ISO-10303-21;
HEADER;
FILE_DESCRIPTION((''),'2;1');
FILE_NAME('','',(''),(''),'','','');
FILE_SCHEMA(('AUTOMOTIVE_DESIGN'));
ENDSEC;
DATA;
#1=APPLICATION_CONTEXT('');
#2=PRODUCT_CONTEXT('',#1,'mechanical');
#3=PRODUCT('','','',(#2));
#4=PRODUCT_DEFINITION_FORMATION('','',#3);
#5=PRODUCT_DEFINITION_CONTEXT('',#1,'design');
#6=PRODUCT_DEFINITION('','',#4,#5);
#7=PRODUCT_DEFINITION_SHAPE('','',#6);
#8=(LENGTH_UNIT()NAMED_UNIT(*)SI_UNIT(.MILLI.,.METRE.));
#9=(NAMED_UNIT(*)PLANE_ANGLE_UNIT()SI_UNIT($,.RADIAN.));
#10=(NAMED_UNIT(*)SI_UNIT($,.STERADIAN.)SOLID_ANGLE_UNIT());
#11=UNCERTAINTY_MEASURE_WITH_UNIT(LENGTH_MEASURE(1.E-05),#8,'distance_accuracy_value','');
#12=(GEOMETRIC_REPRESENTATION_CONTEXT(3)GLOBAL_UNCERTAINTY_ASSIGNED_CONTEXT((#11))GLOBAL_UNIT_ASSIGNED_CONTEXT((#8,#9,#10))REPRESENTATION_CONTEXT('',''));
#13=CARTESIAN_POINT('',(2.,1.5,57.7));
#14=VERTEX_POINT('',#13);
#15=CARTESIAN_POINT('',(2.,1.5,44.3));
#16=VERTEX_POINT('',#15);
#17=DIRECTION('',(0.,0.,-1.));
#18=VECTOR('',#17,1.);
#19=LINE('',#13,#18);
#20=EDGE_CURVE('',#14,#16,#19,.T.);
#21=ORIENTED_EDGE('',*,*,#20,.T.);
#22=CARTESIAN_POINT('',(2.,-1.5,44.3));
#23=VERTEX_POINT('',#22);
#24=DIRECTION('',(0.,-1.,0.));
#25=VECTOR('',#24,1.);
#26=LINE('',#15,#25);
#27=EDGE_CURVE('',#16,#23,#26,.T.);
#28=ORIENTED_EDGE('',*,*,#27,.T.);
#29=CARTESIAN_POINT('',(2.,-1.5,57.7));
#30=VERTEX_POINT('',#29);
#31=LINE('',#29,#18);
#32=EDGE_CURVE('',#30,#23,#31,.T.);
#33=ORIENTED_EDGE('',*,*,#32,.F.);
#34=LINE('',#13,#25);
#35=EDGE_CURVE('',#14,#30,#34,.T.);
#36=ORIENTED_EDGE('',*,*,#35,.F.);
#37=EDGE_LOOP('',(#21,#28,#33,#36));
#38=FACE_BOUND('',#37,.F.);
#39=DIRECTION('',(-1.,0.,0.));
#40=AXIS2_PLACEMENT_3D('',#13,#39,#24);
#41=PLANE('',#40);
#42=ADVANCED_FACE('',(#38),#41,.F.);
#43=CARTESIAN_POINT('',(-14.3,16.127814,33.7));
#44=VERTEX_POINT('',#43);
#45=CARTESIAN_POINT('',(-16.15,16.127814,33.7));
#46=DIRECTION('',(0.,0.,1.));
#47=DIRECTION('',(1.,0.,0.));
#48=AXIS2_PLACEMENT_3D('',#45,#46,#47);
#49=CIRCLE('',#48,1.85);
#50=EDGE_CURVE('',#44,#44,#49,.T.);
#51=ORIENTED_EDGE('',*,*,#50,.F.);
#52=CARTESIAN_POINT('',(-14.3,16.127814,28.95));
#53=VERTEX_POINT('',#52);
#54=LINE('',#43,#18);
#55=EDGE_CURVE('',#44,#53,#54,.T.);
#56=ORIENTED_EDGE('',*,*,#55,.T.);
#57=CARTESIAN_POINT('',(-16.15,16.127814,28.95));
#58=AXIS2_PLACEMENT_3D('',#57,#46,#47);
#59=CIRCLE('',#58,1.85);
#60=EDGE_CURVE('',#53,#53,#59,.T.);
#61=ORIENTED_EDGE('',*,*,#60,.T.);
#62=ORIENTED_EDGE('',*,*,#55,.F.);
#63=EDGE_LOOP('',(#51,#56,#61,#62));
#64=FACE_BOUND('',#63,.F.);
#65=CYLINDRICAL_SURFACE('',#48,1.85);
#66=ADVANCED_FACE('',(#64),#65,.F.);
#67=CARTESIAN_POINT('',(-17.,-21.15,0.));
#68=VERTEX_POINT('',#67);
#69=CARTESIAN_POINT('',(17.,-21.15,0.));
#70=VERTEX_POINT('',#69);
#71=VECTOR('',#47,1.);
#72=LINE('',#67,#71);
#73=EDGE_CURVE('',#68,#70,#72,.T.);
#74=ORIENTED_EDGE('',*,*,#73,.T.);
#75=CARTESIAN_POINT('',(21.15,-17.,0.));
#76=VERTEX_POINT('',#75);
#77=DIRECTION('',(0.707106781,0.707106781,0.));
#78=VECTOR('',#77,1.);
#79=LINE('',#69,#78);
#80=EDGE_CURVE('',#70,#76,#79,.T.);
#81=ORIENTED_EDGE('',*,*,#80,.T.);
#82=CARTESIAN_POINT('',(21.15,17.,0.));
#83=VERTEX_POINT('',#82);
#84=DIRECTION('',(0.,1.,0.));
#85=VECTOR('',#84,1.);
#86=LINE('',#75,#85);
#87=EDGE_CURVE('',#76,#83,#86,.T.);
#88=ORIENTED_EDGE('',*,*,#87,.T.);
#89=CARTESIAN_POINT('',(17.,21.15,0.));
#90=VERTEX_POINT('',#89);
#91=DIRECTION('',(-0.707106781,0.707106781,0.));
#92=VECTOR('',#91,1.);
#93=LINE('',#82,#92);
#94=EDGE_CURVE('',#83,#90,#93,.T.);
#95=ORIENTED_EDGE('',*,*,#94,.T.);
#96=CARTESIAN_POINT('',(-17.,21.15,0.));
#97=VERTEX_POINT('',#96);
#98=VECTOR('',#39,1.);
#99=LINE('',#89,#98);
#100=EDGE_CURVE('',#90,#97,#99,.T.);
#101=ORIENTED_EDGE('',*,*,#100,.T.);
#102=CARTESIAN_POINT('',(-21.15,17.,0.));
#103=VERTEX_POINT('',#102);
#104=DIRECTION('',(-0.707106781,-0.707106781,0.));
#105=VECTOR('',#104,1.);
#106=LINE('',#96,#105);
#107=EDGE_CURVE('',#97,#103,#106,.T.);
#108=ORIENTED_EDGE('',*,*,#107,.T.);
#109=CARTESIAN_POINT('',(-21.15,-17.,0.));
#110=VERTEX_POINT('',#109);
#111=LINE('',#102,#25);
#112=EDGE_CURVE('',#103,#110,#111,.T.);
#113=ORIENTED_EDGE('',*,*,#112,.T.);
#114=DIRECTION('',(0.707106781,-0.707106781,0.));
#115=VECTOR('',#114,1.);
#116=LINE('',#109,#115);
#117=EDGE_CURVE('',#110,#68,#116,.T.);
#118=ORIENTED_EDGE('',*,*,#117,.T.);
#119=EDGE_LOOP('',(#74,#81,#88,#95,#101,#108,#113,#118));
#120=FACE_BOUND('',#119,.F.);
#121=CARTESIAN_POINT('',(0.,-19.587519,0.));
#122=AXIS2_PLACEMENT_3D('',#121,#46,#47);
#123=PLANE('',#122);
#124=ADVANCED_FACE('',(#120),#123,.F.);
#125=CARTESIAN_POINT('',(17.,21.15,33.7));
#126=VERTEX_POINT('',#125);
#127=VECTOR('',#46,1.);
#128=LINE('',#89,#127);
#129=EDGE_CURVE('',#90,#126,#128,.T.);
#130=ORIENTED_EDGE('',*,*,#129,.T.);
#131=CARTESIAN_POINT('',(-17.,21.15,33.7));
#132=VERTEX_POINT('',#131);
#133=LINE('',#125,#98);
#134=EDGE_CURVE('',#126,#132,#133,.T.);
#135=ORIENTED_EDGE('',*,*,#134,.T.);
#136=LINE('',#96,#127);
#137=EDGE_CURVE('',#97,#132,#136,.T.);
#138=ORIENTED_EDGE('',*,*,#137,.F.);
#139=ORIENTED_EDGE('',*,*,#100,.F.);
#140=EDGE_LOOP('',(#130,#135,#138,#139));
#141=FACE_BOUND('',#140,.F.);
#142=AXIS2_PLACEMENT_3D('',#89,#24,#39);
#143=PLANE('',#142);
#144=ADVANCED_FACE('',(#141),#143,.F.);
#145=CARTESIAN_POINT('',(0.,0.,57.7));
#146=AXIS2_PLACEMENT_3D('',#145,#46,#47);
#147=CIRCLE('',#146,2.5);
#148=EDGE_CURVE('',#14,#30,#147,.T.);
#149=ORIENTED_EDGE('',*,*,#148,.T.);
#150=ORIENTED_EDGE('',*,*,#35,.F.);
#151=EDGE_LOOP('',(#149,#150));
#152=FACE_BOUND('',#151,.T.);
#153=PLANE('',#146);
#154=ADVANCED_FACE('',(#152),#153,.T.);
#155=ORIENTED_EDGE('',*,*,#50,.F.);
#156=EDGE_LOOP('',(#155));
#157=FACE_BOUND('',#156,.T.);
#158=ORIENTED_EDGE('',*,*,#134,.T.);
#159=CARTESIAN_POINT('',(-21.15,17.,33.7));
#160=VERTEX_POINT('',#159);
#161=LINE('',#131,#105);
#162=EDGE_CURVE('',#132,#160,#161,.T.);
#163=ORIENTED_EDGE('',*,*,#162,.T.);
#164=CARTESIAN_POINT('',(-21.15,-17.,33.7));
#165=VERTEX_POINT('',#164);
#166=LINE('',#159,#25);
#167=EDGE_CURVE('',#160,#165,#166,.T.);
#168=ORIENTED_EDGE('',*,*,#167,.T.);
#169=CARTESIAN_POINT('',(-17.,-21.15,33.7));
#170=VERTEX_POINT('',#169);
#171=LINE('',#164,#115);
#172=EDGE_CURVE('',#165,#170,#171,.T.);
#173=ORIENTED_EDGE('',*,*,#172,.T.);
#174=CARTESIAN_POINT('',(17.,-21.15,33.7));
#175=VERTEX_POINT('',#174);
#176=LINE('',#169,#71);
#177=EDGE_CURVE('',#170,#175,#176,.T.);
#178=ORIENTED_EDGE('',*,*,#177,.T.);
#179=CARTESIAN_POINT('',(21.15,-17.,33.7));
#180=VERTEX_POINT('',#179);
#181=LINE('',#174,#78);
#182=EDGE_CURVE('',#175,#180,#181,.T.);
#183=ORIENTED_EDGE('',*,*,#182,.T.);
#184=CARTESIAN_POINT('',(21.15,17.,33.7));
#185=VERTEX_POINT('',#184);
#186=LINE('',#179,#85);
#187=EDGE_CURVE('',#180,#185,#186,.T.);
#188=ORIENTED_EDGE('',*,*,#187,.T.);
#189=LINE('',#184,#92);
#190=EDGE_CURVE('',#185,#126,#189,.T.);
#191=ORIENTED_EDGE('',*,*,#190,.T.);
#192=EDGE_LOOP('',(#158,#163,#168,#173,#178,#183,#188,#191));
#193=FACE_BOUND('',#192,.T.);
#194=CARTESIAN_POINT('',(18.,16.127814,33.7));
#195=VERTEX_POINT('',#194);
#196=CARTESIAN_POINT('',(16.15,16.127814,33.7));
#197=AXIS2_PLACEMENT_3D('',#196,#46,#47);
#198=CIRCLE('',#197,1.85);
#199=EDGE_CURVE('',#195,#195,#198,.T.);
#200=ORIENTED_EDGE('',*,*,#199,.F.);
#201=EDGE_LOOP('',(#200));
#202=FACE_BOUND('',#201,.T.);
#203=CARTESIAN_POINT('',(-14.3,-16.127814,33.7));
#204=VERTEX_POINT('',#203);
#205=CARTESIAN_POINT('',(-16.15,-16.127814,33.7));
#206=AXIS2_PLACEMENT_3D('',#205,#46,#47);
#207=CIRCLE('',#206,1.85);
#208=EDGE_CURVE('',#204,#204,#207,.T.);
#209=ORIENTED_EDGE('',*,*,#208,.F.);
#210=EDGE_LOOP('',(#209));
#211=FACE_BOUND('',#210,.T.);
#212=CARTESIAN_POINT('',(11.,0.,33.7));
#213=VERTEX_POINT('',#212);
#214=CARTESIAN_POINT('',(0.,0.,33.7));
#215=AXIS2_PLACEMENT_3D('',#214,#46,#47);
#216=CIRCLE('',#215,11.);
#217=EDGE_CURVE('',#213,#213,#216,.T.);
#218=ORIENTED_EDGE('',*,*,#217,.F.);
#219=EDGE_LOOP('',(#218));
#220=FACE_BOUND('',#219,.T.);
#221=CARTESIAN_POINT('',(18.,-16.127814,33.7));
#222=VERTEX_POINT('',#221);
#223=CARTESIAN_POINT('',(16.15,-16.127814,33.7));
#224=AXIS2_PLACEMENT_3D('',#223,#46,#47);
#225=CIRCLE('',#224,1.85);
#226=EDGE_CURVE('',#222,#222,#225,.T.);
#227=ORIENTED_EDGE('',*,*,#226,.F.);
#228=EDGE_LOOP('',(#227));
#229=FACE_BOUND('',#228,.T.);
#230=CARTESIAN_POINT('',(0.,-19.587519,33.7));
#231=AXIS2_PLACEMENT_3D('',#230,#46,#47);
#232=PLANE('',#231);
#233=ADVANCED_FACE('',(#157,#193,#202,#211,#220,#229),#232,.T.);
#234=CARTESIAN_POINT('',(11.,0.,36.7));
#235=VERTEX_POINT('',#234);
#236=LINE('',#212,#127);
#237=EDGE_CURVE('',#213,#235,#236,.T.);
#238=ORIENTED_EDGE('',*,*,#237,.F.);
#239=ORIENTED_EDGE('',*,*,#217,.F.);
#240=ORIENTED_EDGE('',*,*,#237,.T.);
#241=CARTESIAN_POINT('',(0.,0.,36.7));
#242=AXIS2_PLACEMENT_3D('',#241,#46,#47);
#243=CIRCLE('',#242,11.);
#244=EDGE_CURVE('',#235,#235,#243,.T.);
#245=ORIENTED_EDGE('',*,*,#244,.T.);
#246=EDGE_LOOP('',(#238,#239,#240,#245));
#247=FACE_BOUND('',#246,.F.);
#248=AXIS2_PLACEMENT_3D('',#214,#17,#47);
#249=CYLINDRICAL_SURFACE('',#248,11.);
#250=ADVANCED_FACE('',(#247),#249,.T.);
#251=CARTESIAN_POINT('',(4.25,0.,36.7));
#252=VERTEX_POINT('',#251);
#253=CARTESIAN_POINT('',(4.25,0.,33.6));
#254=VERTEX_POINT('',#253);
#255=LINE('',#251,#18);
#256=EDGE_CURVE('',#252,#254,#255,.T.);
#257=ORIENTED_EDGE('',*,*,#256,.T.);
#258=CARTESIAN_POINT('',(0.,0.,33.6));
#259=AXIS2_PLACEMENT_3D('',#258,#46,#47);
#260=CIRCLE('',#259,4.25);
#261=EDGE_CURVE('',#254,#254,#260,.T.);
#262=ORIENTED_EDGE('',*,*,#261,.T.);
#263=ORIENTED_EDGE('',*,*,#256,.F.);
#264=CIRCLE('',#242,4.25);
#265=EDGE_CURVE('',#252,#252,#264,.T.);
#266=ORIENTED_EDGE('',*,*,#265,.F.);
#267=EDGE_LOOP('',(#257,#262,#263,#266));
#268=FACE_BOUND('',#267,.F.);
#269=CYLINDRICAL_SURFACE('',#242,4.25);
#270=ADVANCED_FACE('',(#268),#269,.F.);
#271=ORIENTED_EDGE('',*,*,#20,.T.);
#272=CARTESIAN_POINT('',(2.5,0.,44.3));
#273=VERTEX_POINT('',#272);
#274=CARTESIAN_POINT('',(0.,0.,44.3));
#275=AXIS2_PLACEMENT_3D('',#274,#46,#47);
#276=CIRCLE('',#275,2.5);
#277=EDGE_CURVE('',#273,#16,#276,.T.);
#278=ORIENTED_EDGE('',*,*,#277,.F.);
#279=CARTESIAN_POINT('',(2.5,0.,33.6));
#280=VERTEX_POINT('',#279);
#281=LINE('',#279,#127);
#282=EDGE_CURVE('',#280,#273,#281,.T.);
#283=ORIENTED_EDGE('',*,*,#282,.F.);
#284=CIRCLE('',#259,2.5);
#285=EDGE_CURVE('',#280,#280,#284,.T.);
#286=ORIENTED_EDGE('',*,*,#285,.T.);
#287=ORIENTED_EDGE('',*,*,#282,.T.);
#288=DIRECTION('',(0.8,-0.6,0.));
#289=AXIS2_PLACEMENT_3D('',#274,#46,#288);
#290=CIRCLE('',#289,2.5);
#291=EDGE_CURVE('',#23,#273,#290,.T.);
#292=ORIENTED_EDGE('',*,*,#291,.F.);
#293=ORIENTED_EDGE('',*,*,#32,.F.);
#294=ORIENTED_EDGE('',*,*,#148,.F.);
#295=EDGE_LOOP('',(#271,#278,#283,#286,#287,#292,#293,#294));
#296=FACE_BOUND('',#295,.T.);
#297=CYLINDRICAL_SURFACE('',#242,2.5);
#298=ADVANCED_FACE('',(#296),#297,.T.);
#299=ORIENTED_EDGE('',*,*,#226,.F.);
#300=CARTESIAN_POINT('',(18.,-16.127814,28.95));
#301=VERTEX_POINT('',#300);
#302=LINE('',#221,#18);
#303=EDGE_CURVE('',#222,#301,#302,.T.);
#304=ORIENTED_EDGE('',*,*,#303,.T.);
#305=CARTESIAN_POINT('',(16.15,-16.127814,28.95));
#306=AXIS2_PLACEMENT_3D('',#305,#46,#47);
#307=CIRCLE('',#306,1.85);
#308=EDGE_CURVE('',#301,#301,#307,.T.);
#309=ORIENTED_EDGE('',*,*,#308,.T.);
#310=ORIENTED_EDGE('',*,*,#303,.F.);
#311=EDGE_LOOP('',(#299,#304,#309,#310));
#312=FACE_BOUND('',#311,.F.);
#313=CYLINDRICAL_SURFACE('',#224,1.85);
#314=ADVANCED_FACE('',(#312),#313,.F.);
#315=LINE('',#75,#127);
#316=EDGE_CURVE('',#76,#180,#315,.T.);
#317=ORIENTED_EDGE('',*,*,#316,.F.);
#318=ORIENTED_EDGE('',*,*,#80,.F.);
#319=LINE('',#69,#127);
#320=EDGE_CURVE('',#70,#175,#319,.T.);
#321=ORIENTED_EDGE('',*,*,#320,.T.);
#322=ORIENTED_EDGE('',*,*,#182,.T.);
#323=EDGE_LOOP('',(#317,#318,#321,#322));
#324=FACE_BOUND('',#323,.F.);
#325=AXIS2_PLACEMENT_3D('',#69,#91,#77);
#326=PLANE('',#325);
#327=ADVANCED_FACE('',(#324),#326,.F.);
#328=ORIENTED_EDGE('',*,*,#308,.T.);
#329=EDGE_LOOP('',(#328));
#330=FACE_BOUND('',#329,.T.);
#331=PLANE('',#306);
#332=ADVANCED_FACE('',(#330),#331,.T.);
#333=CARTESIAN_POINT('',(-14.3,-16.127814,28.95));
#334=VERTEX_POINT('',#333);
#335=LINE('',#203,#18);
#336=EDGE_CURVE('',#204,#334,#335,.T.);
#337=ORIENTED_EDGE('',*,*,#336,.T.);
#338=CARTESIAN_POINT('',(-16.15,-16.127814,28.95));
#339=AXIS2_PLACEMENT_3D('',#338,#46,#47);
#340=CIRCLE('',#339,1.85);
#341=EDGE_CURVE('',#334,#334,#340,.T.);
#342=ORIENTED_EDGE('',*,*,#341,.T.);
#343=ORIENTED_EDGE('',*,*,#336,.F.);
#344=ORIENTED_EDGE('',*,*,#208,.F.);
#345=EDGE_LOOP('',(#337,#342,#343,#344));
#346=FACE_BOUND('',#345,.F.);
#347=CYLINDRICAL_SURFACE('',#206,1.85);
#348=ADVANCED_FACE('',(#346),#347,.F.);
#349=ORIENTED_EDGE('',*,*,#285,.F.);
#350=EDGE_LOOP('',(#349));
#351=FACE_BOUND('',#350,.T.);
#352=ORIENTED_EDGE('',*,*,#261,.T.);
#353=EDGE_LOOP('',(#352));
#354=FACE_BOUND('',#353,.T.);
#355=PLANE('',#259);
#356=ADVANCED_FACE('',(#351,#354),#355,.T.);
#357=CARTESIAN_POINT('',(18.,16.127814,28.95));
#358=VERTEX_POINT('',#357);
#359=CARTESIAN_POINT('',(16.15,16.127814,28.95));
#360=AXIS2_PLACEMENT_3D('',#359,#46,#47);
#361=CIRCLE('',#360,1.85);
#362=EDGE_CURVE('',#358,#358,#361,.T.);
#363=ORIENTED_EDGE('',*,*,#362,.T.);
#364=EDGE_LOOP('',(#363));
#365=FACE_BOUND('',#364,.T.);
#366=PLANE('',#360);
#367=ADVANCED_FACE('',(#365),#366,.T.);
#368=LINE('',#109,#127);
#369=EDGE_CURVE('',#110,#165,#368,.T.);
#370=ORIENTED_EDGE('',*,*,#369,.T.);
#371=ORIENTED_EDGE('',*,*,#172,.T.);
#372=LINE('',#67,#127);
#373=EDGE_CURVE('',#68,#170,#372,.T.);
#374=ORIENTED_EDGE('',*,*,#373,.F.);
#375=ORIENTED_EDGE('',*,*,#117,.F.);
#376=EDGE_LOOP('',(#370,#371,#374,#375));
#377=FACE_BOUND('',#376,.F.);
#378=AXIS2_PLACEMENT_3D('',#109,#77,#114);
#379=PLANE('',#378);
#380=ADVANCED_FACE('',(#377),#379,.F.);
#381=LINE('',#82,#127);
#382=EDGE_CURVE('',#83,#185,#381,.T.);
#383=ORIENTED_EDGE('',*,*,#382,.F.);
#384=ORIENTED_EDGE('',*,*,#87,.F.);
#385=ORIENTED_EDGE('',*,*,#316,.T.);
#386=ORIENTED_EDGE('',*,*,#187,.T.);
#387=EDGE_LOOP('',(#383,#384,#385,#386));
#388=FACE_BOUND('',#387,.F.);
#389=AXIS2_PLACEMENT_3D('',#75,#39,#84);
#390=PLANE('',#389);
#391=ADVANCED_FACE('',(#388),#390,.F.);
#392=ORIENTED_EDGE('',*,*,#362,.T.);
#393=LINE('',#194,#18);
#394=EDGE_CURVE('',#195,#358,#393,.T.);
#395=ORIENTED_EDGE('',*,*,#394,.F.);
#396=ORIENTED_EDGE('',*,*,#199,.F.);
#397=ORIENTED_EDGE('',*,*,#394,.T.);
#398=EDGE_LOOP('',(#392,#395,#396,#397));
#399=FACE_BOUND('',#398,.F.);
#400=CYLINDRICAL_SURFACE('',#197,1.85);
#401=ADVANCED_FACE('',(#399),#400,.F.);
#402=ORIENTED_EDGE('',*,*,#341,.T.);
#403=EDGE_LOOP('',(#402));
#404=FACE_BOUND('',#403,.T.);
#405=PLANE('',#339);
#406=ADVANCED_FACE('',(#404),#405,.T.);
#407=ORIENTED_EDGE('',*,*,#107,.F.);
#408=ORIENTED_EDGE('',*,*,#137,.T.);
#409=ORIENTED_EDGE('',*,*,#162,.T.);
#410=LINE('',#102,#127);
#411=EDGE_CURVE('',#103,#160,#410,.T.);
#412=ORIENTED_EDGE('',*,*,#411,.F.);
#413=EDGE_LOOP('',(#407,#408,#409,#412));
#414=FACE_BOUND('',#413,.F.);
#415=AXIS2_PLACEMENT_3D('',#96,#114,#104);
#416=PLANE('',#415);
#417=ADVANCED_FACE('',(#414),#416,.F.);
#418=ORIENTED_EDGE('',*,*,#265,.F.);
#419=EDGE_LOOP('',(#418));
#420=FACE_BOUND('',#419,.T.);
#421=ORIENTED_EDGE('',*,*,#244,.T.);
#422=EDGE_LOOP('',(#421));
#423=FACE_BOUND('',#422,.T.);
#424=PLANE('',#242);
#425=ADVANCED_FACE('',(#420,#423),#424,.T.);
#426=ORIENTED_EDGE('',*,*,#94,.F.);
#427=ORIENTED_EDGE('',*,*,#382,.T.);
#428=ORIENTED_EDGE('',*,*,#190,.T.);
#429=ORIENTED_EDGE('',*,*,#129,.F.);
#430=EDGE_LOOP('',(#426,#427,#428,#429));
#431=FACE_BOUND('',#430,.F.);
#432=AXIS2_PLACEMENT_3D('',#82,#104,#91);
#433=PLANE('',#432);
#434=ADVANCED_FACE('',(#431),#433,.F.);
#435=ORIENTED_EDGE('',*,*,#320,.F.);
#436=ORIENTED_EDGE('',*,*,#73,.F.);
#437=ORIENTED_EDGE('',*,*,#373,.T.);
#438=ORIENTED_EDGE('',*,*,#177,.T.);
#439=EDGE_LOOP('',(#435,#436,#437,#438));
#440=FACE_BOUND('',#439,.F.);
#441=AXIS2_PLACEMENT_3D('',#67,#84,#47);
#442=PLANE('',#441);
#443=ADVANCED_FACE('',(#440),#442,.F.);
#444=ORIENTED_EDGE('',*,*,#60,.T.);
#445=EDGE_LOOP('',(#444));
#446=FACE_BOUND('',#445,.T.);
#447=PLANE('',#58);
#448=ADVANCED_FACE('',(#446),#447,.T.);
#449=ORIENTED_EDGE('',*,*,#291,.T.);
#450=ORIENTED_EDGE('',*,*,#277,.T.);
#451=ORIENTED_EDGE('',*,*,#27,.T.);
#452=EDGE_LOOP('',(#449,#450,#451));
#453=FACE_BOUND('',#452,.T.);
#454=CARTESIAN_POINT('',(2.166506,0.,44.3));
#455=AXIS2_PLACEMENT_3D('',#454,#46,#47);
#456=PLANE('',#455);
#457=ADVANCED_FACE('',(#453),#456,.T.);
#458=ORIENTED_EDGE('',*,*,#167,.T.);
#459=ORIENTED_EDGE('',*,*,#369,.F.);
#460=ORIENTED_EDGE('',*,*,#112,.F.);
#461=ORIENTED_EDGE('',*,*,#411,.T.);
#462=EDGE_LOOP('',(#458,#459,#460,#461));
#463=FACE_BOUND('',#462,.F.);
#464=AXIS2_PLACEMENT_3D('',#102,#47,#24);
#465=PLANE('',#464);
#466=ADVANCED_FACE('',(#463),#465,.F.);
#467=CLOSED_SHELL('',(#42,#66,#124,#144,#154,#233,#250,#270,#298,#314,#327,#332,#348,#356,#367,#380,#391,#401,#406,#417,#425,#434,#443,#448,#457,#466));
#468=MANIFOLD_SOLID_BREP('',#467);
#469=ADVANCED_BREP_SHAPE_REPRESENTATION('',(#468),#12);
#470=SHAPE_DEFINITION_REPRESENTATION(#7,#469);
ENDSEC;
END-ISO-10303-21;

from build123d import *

# Parameters (mm, degrees)
F2_DEPTH      = 33.7
F3_R          = 11
F4_DEPTH      = 3
F5_R          = 4.25
F5_R_2        = 2.5
F6_DEPTH      = 3.1
F7_DEPTH      = 21
F7_DEPTH_BACK = 25.4
F9_DEPTH      = 13.4
F10_R         = 1.85
F11_DEPTH     = 4.75


with BuildPart() as f2:
    # F1 (on face) → F2 (new body)
    with BuildSketch(Plane.XY):
        Polygon((8.1, -21.15), (8.1, -18.0250372231), (-8.1, -18.0250372231), (-8.1, -21.15), (0, -21.15), align=None)
        Polygon((-8.1, -18.0250372231), (8.1, -18.0250372231), (8.1, -21.15), (17, -21.15), (21.15, -17), (21.15, 0), (21.15, 17), (17, 21.15), (0, 21.15), (-17, 21.15), (-21.15, 17), (-21.15, 0), (-21.15, -17), (-17, -21.15), (-8.1, -21.15), align=None)
    extrude(amount=F2_DEPTH)

    # F3 (on face) → F4 (join)
    with BuildSketch(Plane.XY.offset(33.7)):
        Circle(F3_R)
    extrude(amount=F4_DEPTH)

    # F5 (on face) → F6 (cut)
    with BuildSketch(Plane.XY.offset(36.7)):
        Circle(F5_R)
        Circle(F5_R_2, mode=Mode.SUBTRACT)
        Circle(F5_R_2)
    extrude(amount=-F6_DEPTH, mode=Mode.SUBTRACT)

    # F5 (on face) → F7 (join, two sides)
    with BuildSketch(Plane.XY.offset(36.7)) as f7_sk:
        Circle(F5_R_2)
    extrude(amount=F7_DEPTH)
    extrude(f7_sk.sketch, amount=-F7_DEPTH_BACK)

    # F8 (on face) → F9 (cut)
    with BuildSketch(Plane.XY.offset(57.7)):
        with BuildLine():
            Line((2, 1.5), (2, 0))
            Line((2, 0), (2, -1.5))
            ThreePointArc((2, -1.5), (2.3717082451, -0.790569415), (2.5, 0))
            ThreePointArc((2.5, 0), (2.3717082451, 0.790569415), (2, 1.5))
        make_face()
    extrude(amount=-F9_DEPTH, mode=Mode.SUBTRACT)

    # F10 (on face) → F11 (cut)
    with BuildSketch(Plane.XY.offset(33.7)):
        with Locations((-16.15, 16.1278136075)):
            Circle(F10_R)
        with Locations((16.15, 16.1278136075)):
            Circle(F10_R)
        with Locations((16.15, -16.1278136075)):
            Circle(F10_R)
        with Locations((-16.15, -16.1278136075)):
            Circle(F10_R)
    extrude(amount=-F11_DEPTH, mode=Mode.SUBTRACT)


solid = f2.part
